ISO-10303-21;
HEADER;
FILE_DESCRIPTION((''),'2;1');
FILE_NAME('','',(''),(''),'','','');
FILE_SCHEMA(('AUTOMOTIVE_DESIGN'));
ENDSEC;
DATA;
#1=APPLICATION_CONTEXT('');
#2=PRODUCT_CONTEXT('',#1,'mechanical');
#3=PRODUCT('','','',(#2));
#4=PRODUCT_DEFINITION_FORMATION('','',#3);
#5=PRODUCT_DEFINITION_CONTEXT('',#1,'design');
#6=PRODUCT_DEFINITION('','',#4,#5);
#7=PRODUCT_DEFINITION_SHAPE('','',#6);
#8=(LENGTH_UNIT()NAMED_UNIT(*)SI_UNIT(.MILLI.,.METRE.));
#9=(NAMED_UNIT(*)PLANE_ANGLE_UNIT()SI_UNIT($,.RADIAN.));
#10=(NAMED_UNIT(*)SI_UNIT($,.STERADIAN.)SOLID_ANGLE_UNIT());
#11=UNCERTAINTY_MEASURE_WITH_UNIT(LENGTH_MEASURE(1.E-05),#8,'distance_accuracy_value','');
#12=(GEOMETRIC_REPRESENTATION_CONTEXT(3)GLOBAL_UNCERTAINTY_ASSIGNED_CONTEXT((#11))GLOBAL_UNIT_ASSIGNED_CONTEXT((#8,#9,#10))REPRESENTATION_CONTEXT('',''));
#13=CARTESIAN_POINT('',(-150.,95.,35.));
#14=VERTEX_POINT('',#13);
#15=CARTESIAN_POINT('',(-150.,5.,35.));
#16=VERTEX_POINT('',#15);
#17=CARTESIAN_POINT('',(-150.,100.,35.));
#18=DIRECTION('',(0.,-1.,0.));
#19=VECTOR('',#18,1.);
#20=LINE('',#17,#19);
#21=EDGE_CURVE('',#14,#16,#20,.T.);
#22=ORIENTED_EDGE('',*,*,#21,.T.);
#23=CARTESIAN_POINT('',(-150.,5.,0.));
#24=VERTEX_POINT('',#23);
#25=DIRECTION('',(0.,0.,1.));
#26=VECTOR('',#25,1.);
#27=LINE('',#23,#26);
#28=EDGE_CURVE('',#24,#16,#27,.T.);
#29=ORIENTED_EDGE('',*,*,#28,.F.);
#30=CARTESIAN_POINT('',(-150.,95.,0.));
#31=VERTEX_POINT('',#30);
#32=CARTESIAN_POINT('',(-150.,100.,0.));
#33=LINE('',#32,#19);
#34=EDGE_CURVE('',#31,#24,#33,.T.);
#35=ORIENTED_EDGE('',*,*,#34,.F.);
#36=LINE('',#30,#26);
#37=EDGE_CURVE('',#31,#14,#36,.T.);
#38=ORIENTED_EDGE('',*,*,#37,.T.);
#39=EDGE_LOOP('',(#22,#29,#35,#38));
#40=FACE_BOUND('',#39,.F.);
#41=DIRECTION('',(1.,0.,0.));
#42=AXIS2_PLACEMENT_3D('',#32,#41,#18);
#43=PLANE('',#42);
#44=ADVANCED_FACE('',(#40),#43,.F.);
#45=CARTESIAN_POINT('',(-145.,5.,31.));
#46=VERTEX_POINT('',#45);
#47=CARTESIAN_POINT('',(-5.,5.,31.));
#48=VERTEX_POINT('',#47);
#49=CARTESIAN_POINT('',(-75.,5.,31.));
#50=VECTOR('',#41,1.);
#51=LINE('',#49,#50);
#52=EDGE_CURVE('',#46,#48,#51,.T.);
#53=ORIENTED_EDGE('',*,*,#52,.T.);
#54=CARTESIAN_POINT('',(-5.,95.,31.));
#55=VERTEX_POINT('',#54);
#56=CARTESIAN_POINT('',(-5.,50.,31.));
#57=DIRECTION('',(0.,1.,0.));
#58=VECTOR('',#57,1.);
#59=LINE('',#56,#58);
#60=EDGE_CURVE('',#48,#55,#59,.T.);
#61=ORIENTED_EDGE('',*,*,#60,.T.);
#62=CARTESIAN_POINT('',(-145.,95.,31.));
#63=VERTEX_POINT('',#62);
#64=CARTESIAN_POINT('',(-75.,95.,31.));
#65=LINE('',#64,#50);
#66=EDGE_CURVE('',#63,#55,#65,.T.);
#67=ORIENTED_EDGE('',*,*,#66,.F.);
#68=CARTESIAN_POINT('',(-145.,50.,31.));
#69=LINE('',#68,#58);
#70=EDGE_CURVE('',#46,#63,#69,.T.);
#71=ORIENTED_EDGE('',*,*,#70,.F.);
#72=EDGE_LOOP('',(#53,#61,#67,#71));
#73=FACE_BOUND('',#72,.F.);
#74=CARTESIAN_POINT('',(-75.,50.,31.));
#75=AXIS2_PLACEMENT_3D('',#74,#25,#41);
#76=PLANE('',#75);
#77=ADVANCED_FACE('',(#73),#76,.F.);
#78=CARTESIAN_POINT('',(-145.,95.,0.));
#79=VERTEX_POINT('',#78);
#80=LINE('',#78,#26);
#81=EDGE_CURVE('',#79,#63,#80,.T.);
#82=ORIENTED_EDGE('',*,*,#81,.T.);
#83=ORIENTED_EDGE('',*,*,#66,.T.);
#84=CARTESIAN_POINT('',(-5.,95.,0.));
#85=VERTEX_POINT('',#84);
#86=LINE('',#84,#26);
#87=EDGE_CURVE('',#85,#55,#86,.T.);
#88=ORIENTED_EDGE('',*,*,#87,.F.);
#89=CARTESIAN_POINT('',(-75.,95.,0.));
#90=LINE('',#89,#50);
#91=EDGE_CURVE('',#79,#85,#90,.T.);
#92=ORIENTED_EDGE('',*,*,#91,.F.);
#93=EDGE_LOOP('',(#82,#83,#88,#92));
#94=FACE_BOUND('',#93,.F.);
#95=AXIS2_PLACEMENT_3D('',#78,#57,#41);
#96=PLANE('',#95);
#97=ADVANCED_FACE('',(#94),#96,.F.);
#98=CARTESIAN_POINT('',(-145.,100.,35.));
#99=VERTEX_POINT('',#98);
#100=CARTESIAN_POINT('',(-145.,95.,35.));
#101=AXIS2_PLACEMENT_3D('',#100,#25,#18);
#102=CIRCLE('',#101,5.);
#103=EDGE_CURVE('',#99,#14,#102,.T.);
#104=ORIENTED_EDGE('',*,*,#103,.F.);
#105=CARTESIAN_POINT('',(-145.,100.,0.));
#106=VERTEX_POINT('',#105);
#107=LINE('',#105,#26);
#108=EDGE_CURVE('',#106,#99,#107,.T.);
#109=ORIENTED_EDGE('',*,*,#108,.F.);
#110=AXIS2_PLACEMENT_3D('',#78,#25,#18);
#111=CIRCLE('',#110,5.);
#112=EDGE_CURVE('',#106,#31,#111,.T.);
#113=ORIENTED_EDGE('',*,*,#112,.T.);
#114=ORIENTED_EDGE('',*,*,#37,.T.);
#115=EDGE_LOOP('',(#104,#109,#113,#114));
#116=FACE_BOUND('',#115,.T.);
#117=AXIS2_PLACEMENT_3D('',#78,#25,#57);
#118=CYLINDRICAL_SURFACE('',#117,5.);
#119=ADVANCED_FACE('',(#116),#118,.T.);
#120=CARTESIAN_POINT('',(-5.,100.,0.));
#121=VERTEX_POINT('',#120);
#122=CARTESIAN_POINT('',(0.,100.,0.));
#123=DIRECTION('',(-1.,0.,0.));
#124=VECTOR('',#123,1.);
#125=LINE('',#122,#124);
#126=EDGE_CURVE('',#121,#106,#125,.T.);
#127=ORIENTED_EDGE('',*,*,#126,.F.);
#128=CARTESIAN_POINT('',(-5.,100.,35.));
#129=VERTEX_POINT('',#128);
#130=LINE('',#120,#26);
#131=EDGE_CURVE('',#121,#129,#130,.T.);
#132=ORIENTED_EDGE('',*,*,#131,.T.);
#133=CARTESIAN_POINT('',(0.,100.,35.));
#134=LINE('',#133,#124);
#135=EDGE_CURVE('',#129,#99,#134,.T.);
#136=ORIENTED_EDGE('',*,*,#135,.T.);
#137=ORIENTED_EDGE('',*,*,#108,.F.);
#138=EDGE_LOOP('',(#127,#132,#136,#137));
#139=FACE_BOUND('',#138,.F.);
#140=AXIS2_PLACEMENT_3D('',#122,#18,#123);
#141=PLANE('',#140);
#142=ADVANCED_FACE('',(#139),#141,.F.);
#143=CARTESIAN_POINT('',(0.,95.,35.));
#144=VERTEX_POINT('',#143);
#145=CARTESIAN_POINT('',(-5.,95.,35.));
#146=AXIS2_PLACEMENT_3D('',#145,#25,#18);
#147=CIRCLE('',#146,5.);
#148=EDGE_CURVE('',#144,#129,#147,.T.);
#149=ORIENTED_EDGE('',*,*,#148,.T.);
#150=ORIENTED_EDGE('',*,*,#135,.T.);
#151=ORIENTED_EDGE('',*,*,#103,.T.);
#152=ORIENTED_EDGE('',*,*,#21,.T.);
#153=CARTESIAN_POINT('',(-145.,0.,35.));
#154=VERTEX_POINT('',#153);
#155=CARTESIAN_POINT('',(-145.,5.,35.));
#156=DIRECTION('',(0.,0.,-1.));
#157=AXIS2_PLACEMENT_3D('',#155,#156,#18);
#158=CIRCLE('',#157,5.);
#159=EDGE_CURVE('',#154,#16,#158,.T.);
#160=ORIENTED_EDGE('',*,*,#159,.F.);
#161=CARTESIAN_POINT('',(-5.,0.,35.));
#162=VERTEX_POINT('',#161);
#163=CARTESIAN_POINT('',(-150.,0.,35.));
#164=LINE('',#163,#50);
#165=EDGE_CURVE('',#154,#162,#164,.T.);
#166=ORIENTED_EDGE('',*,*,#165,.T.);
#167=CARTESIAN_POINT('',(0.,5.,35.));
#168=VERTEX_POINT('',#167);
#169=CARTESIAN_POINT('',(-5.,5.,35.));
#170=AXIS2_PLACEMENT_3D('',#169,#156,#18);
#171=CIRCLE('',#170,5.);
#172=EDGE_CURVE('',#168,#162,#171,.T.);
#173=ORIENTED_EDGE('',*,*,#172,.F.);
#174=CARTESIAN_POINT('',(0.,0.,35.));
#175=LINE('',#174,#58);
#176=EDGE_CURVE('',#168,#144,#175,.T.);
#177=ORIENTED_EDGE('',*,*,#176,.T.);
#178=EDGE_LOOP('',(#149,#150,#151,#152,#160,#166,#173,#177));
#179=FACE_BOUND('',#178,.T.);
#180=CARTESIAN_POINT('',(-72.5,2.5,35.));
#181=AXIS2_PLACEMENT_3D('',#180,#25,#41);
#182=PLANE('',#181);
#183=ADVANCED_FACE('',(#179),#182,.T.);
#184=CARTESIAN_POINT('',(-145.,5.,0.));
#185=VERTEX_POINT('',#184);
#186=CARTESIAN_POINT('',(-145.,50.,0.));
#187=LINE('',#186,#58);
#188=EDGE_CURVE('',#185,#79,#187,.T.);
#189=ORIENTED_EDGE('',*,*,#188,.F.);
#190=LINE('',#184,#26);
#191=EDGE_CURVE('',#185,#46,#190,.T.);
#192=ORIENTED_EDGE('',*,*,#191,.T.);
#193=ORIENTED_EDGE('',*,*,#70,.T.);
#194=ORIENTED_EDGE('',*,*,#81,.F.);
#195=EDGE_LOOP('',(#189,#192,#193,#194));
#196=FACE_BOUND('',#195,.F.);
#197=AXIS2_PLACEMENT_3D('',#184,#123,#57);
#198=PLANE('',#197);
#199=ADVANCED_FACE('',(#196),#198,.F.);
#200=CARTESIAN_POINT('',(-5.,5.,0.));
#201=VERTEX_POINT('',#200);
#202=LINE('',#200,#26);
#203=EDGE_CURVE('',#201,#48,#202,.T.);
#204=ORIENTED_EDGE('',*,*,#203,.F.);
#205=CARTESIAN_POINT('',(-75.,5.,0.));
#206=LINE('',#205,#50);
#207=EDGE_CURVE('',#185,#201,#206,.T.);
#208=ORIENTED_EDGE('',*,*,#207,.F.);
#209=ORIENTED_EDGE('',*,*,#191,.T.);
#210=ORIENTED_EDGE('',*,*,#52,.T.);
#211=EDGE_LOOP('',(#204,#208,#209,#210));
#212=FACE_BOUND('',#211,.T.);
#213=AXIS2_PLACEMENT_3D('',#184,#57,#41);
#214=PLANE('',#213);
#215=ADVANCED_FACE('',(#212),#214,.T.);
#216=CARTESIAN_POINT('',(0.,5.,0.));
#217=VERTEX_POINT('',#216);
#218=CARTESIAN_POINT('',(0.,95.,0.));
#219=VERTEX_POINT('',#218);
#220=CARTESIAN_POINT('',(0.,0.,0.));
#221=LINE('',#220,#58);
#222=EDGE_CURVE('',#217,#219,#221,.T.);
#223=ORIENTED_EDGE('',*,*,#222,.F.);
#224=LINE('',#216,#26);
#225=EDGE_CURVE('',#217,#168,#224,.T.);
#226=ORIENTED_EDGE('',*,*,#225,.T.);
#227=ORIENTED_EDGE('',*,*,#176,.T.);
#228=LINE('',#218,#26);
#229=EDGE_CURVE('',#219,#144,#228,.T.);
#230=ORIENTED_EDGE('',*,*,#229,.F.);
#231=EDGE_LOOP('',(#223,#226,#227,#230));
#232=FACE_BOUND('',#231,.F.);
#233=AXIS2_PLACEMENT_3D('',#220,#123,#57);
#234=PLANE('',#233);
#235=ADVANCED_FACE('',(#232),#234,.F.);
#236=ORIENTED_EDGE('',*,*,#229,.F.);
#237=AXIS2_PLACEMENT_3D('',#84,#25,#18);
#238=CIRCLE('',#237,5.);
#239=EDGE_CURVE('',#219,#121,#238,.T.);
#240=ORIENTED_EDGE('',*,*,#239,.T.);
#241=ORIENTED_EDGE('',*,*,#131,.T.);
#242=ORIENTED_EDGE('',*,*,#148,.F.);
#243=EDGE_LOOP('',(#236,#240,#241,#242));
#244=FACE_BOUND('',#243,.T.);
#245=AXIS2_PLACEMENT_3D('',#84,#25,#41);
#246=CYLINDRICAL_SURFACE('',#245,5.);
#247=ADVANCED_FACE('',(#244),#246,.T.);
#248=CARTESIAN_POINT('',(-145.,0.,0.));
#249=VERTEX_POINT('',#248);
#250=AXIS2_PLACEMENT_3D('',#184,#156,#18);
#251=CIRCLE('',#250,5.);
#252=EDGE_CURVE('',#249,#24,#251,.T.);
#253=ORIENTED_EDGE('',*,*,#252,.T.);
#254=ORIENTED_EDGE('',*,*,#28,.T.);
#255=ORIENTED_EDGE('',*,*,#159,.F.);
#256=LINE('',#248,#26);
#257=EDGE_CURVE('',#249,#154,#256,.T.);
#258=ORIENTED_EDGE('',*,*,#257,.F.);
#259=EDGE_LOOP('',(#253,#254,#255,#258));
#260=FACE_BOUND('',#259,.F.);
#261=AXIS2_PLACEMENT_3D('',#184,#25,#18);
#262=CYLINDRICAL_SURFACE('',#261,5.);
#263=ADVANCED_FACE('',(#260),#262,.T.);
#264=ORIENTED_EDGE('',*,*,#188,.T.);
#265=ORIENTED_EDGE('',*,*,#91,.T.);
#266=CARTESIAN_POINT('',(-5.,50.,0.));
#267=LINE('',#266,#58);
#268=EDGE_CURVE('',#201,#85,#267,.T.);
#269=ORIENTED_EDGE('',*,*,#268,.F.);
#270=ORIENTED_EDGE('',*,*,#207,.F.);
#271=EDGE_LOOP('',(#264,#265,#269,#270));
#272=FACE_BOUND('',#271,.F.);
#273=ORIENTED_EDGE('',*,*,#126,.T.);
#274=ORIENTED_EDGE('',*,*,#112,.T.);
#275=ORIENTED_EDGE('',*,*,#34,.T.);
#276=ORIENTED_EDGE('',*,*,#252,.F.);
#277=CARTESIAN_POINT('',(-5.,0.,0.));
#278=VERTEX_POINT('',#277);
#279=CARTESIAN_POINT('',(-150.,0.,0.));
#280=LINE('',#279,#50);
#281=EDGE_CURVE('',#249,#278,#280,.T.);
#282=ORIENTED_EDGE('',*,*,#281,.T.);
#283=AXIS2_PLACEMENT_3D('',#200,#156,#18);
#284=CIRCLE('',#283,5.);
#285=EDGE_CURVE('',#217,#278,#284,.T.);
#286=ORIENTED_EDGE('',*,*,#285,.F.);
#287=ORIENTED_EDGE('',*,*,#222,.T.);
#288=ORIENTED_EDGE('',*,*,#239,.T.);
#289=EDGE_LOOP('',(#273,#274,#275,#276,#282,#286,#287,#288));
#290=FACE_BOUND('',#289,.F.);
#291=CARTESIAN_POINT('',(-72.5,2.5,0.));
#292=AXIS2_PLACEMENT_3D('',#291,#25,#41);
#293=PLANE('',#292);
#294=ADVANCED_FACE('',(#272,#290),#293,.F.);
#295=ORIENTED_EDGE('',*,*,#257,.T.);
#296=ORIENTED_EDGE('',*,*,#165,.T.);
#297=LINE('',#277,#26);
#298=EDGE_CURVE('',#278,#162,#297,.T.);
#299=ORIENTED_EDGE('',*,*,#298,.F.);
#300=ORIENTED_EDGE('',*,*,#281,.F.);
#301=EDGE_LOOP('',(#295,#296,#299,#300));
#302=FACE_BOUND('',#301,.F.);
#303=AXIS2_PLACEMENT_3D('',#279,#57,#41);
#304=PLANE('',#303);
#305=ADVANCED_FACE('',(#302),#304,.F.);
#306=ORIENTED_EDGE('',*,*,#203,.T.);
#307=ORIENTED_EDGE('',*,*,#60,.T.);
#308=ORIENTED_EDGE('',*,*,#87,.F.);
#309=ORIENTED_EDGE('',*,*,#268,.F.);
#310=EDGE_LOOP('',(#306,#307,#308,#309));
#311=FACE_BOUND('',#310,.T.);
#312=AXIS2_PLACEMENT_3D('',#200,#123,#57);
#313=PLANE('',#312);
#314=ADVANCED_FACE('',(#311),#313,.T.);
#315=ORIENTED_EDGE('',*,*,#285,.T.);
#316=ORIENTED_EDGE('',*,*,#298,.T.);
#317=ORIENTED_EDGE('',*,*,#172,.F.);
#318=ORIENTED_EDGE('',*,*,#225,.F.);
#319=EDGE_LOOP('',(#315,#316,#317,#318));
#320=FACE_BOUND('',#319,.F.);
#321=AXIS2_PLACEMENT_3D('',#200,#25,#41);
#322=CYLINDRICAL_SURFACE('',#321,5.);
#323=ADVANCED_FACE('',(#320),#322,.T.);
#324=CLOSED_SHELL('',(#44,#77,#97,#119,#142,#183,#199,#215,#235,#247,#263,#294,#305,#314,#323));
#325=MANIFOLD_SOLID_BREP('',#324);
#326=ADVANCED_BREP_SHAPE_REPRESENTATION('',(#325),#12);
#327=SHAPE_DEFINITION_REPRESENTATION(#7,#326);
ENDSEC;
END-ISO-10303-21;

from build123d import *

# Parameters (mm, degrees)
F0_W     = 140
F0_H     = 5
F0_H_2   = 90
F1_DEPTH = 35
F2_DEPTH = 31
F3_R     = 5


with BuildPart() as f1:
    # F0 (on Top) → F1 (new body)
    with BuildSketch(Plane.XY):
        Polygon((-145, 0), (0, 0), (0, 5), (-5, 5), (-145, 5), align=None)
        Polygon((-150, 0), (-145, 0), (-145, 5), (-145, 95), (-145, 100), (-150, 100), align=None)
        Polygon((-5, 5), (0, 5), (0, 100), (-5, 100), (-5, 95), align=None)
        with Locations((-75, 97.5)):
            Rectangle(F0_W, F0_H)
        with Locations((-75, 50)):
            Rectangle(F0_W, F0_H_2)
    extrude(amount=F1_DEPTH)

    # F0 (on Top) → F2 (cut)
    with BuildSketch(Plane.XY):
        with Locations((-75, 50)):
            Rectangle(F0_W, F0_H_2)
    extrude(amount=F2_DEPTH, mode=Mode.SUBTRACT)

    # F3
    f3_edges = [f1.edges().sort_by_distance(p)[0] for p in [
        (0, 0, 17.5),
        (0, 100, 17.5),
        (-150, 100, 17.5),
        (-150, 0, 17.5),
    ]]
    fillet(f3_edges, radius=F3_R)


solid = f1.part
